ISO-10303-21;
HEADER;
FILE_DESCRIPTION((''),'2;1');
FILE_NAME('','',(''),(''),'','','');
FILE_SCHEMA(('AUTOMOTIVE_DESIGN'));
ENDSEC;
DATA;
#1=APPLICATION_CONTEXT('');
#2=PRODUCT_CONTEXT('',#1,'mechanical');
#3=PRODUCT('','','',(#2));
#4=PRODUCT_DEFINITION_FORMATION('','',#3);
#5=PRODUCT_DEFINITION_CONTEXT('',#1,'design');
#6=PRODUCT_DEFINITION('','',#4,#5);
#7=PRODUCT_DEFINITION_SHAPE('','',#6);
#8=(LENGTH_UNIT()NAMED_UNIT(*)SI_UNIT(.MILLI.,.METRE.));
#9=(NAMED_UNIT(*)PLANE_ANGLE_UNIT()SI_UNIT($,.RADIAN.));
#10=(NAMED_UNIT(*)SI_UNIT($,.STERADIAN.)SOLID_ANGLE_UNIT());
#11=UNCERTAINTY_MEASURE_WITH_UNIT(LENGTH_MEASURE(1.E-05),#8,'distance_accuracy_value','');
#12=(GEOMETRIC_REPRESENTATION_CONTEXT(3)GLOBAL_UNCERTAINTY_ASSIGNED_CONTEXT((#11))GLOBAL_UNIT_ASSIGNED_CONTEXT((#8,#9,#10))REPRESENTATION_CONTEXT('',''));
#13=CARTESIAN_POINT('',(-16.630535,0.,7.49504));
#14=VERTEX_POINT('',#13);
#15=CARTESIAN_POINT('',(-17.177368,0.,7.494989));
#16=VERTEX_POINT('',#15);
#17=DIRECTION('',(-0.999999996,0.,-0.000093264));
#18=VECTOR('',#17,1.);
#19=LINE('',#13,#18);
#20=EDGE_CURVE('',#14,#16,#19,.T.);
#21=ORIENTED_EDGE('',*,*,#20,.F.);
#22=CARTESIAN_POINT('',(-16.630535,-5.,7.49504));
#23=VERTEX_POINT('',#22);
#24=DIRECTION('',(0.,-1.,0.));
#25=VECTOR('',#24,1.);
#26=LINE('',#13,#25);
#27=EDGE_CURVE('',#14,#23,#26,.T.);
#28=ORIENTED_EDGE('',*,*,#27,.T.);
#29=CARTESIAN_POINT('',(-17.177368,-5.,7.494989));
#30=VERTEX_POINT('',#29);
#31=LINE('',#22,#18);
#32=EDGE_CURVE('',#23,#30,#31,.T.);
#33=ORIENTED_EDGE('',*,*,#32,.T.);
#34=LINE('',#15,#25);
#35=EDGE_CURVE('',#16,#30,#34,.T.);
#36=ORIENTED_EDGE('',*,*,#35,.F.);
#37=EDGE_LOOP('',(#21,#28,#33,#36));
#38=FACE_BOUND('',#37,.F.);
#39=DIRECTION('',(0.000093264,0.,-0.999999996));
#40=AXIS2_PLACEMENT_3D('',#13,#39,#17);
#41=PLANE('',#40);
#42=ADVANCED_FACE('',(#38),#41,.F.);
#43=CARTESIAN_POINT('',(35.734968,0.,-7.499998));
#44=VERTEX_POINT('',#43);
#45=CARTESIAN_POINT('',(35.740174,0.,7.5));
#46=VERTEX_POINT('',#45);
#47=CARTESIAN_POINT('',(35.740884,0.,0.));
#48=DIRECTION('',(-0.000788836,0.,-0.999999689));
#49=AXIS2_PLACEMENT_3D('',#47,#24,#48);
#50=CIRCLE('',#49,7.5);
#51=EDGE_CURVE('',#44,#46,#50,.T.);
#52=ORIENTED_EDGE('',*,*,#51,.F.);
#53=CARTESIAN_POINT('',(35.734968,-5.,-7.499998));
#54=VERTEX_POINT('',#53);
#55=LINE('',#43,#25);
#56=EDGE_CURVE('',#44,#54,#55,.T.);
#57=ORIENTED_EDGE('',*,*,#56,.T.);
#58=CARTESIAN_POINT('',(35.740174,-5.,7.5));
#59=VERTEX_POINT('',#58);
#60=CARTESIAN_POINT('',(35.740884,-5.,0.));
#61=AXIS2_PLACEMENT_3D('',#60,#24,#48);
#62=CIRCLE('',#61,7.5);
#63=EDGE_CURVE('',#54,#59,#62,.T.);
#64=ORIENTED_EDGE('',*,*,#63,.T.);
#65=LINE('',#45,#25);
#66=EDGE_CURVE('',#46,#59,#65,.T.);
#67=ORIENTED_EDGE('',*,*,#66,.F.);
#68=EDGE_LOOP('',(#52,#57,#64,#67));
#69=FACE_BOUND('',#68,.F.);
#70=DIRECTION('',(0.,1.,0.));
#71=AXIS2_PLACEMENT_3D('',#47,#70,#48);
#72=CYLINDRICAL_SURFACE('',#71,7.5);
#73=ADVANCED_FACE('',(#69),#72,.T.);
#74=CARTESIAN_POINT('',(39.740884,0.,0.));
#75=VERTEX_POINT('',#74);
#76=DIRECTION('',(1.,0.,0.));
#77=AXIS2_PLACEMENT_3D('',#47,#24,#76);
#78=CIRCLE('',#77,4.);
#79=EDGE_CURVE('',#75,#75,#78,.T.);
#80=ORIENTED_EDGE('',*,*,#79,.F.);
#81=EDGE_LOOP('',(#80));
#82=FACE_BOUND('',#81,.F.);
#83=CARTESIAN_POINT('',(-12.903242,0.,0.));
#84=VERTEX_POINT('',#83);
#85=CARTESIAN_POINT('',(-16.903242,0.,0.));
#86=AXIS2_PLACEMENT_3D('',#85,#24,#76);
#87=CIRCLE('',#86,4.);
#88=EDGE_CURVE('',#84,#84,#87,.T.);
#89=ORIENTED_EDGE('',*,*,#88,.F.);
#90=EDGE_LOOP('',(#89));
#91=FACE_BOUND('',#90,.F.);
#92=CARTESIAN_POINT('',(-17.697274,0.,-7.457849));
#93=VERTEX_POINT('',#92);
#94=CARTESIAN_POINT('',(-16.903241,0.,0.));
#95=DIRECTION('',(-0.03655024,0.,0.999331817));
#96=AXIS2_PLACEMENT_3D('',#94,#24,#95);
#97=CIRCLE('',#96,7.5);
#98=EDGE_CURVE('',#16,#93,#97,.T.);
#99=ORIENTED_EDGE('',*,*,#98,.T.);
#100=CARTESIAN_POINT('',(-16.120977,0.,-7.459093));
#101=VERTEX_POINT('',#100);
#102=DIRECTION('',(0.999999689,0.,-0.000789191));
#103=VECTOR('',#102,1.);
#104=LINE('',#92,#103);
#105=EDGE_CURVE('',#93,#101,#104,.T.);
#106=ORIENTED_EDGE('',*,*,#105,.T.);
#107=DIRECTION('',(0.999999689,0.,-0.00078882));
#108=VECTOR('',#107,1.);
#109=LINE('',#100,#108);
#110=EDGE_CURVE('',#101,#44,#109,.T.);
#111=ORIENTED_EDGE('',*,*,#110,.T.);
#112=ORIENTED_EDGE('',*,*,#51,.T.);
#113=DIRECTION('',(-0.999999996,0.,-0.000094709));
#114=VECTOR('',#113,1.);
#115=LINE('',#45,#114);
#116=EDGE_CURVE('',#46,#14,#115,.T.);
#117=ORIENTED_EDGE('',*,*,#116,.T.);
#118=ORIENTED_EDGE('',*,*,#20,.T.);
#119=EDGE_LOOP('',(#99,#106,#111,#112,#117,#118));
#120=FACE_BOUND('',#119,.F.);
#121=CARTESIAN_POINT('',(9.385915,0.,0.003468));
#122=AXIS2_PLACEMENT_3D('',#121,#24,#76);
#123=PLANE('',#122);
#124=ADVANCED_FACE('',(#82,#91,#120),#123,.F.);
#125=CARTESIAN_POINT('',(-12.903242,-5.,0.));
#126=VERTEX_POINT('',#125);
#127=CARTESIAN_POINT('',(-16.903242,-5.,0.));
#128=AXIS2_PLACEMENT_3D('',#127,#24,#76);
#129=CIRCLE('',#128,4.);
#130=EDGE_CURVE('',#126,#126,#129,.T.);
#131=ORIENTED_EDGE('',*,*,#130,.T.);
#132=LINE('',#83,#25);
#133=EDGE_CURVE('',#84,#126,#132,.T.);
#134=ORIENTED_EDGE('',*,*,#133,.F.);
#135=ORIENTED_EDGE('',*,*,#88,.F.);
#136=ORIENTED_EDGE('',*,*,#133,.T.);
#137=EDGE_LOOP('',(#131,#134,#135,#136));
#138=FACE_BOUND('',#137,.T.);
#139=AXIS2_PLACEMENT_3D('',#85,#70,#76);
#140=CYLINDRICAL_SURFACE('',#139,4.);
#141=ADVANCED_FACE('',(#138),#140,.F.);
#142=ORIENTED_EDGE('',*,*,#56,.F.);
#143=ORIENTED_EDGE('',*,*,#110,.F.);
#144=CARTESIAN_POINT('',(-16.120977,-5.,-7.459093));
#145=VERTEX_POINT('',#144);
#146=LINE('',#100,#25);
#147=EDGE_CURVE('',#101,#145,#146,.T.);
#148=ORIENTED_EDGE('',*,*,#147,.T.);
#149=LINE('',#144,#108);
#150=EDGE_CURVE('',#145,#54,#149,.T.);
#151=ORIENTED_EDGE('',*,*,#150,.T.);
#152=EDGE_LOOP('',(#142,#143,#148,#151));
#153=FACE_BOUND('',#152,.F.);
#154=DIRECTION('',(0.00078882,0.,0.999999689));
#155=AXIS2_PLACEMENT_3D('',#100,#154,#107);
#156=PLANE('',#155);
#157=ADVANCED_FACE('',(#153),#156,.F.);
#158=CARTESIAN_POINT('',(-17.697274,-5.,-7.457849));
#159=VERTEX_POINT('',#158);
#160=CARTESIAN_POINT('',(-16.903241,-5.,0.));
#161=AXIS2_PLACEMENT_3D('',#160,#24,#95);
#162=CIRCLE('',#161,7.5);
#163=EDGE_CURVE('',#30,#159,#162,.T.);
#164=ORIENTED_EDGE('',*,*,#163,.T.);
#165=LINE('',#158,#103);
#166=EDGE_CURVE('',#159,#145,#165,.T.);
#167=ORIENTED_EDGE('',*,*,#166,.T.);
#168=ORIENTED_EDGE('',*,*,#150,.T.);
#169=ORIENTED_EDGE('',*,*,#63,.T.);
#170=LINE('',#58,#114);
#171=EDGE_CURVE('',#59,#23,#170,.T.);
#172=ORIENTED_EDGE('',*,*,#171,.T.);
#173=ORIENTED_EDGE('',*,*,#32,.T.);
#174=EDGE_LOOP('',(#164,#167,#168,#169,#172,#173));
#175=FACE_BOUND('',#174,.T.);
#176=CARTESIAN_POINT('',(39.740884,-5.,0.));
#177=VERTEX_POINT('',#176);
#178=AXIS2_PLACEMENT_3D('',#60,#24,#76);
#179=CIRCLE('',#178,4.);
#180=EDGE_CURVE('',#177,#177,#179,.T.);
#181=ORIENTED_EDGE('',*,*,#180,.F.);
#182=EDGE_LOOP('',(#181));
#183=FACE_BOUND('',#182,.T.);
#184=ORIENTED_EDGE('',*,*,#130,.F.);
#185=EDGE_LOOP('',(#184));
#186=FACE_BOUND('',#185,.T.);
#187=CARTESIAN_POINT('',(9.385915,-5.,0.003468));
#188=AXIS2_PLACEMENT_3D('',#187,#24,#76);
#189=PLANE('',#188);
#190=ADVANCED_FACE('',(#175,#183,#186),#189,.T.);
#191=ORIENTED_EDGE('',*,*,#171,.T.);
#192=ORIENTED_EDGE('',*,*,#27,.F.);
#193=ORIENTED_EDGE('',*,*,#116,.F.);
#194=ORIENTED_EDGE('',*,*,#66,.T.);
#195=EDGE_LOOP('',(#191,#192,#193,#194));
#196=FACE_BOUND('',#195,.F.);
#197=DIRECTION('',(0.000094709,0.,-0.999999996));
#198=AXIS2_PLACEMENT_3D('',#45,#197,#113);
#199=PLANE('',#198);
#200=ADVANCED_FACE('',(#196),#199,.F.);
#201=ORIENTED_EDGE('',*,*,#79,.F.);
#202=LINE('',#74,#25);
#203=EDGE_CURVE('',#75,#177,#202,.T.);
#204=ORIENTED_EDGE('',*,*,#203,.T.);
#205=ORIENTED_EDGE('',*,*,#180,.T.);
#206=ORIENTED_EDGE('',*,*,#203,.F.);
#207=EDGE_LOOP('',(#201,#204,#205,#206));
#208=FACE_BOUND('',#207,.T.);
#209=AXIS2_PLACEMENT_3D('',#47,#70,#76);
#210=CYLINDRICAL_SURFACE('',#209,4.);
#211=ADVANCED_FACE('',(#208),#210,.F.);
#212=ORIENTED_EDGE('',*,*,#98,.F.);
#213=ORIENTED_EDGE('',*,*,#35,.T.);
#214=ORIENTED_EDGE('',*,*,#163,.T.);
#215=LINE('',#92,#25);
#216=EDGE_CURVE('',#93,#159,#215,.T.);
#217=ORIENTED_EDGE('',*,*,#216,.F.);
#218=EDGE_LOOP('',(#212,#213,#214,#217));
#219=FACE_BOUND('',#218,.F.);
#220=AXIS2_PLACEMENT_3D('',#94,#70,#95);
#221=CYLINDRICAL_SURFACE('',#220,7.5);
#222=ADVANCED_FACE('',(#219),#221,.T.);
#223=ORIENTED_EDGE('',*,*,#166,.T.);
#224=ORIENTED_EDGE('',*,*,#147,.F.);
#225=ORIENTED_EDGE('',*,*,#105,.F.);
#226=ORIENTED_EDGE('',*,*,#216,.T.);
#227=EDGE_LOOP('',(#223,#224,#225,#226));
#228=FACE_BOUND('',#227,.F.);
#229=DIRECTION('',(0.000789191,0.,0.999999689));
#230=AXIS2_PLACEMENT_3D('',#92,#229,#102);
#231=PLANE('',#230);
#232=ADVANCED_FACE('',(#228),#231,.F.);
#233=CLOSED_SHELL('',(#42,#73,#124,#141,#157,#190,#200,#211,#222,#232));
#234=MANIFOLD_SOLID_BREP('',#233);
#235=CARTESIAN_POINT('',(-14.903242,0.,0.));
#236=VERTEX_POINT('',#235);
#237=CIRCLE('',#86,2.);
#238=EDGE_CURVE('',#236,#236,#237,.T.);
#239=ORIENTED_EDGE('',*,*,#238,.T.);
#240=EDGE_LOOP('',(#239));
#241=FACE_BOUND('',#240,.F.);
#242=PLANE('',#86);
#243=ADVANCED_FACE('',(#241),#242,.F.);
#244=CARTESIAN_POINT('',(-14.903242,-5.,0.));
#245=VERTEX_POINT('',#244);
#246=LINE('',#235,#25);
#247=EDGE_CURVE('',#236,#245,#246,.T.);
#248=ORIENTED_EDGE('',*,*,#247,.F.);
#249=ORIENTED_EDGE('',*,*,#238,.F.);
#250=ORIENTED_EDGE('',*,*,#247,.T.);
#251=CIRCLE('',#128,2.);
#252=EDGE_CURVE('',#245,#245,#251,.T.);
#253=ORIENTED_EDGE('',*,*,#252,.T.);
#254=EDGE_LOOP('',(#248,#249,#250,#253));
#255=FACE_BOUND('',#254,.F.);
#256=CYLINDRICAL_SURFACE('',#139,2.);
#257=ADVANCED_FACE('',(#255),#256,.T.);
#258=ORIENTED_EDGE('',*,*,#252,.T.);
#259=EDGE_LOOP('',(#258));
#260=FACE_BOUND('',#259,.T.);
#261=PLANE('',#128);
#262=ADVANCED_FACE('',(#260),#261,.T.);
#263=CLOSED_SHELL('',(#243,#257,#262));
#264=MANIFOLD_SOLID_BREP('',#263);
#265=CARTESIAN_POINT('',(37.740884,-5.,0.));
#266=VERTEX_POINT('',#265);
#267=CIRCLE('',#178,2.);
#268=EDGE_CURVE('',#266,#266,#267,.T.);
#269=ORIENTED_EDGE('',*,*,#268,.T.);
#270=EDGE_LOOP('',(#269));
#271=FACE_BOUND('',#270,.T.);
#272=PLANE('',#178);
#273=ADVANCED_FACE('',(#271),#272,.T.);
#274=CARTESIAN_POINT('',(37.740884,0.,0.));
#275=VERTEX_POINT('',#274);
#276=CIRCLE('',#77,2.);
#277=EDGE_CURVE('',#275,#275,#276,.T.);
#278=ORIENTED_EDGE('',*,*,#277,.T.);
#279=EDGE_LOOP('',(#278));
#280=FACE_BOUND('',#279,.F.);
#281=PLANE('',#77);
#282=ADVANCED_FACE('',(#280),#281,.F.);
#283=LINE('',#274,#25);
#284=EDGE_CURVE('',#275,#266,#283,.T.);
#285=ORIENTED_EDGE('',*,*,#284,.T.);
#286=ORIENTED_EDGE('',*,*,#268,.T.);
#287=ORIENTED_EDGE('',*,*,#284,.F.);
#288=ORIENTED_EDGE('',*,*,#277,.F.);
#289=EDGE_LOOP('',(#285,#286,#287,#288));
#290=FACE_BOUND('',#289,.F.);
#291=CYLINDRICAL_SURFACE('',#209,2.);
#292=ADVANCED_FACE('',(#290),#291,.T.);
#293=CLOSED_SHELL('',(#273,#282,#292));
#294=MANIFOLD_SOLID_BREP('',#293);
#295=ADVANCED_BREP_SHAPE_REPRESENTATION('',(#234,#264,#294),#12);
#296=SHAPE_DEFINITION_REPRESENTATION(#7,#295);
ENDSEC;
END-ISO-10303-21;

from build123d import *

# Parameters (mm, degrees)
F0_R     = 4
F0_R_2   = 2
F1_DEPTH = 5


with BuildPart() as f1:
    # F0 (on Front) → F1 (new body)
    with BuildSketch(Plane.XZ):
        with BuildLine():
            Line((35.740174, 7.5), (-16.630535, 7.49504))
            Line((-16.630535, 7.49504), (-17.177368, 7.494989))
            ThreePointArc((-17.177368, 7.494989), (-24.398712, 0.260615), (-17.697274, -7.457849))
            Line((-17.697274, -7.457849), (-16.120977, -7.459093))
            Line((-16.120977, -7.459093), (35.734968, -7.499998))
            ThreePointArc((35.734968, -7.499998), (43.240884, -0.002603), (35.740174, 7.5))
        make_face()
        with Locations((-16.903242, 0)):
            Circle(F0_R, mode=Mode.SUBTRACT)
        with Locations((35.740884, 0)):
            Circle(F0_R, mode=Mode.SUBTRACT)
        with Locations((35.740884, 0)):
            Circle(F0_R_2)
        with Locations((-16.903242, 0)):
            Circle(F0_R_2)
    extrude(amount=F1_DEPTH)


solid = f1.part
